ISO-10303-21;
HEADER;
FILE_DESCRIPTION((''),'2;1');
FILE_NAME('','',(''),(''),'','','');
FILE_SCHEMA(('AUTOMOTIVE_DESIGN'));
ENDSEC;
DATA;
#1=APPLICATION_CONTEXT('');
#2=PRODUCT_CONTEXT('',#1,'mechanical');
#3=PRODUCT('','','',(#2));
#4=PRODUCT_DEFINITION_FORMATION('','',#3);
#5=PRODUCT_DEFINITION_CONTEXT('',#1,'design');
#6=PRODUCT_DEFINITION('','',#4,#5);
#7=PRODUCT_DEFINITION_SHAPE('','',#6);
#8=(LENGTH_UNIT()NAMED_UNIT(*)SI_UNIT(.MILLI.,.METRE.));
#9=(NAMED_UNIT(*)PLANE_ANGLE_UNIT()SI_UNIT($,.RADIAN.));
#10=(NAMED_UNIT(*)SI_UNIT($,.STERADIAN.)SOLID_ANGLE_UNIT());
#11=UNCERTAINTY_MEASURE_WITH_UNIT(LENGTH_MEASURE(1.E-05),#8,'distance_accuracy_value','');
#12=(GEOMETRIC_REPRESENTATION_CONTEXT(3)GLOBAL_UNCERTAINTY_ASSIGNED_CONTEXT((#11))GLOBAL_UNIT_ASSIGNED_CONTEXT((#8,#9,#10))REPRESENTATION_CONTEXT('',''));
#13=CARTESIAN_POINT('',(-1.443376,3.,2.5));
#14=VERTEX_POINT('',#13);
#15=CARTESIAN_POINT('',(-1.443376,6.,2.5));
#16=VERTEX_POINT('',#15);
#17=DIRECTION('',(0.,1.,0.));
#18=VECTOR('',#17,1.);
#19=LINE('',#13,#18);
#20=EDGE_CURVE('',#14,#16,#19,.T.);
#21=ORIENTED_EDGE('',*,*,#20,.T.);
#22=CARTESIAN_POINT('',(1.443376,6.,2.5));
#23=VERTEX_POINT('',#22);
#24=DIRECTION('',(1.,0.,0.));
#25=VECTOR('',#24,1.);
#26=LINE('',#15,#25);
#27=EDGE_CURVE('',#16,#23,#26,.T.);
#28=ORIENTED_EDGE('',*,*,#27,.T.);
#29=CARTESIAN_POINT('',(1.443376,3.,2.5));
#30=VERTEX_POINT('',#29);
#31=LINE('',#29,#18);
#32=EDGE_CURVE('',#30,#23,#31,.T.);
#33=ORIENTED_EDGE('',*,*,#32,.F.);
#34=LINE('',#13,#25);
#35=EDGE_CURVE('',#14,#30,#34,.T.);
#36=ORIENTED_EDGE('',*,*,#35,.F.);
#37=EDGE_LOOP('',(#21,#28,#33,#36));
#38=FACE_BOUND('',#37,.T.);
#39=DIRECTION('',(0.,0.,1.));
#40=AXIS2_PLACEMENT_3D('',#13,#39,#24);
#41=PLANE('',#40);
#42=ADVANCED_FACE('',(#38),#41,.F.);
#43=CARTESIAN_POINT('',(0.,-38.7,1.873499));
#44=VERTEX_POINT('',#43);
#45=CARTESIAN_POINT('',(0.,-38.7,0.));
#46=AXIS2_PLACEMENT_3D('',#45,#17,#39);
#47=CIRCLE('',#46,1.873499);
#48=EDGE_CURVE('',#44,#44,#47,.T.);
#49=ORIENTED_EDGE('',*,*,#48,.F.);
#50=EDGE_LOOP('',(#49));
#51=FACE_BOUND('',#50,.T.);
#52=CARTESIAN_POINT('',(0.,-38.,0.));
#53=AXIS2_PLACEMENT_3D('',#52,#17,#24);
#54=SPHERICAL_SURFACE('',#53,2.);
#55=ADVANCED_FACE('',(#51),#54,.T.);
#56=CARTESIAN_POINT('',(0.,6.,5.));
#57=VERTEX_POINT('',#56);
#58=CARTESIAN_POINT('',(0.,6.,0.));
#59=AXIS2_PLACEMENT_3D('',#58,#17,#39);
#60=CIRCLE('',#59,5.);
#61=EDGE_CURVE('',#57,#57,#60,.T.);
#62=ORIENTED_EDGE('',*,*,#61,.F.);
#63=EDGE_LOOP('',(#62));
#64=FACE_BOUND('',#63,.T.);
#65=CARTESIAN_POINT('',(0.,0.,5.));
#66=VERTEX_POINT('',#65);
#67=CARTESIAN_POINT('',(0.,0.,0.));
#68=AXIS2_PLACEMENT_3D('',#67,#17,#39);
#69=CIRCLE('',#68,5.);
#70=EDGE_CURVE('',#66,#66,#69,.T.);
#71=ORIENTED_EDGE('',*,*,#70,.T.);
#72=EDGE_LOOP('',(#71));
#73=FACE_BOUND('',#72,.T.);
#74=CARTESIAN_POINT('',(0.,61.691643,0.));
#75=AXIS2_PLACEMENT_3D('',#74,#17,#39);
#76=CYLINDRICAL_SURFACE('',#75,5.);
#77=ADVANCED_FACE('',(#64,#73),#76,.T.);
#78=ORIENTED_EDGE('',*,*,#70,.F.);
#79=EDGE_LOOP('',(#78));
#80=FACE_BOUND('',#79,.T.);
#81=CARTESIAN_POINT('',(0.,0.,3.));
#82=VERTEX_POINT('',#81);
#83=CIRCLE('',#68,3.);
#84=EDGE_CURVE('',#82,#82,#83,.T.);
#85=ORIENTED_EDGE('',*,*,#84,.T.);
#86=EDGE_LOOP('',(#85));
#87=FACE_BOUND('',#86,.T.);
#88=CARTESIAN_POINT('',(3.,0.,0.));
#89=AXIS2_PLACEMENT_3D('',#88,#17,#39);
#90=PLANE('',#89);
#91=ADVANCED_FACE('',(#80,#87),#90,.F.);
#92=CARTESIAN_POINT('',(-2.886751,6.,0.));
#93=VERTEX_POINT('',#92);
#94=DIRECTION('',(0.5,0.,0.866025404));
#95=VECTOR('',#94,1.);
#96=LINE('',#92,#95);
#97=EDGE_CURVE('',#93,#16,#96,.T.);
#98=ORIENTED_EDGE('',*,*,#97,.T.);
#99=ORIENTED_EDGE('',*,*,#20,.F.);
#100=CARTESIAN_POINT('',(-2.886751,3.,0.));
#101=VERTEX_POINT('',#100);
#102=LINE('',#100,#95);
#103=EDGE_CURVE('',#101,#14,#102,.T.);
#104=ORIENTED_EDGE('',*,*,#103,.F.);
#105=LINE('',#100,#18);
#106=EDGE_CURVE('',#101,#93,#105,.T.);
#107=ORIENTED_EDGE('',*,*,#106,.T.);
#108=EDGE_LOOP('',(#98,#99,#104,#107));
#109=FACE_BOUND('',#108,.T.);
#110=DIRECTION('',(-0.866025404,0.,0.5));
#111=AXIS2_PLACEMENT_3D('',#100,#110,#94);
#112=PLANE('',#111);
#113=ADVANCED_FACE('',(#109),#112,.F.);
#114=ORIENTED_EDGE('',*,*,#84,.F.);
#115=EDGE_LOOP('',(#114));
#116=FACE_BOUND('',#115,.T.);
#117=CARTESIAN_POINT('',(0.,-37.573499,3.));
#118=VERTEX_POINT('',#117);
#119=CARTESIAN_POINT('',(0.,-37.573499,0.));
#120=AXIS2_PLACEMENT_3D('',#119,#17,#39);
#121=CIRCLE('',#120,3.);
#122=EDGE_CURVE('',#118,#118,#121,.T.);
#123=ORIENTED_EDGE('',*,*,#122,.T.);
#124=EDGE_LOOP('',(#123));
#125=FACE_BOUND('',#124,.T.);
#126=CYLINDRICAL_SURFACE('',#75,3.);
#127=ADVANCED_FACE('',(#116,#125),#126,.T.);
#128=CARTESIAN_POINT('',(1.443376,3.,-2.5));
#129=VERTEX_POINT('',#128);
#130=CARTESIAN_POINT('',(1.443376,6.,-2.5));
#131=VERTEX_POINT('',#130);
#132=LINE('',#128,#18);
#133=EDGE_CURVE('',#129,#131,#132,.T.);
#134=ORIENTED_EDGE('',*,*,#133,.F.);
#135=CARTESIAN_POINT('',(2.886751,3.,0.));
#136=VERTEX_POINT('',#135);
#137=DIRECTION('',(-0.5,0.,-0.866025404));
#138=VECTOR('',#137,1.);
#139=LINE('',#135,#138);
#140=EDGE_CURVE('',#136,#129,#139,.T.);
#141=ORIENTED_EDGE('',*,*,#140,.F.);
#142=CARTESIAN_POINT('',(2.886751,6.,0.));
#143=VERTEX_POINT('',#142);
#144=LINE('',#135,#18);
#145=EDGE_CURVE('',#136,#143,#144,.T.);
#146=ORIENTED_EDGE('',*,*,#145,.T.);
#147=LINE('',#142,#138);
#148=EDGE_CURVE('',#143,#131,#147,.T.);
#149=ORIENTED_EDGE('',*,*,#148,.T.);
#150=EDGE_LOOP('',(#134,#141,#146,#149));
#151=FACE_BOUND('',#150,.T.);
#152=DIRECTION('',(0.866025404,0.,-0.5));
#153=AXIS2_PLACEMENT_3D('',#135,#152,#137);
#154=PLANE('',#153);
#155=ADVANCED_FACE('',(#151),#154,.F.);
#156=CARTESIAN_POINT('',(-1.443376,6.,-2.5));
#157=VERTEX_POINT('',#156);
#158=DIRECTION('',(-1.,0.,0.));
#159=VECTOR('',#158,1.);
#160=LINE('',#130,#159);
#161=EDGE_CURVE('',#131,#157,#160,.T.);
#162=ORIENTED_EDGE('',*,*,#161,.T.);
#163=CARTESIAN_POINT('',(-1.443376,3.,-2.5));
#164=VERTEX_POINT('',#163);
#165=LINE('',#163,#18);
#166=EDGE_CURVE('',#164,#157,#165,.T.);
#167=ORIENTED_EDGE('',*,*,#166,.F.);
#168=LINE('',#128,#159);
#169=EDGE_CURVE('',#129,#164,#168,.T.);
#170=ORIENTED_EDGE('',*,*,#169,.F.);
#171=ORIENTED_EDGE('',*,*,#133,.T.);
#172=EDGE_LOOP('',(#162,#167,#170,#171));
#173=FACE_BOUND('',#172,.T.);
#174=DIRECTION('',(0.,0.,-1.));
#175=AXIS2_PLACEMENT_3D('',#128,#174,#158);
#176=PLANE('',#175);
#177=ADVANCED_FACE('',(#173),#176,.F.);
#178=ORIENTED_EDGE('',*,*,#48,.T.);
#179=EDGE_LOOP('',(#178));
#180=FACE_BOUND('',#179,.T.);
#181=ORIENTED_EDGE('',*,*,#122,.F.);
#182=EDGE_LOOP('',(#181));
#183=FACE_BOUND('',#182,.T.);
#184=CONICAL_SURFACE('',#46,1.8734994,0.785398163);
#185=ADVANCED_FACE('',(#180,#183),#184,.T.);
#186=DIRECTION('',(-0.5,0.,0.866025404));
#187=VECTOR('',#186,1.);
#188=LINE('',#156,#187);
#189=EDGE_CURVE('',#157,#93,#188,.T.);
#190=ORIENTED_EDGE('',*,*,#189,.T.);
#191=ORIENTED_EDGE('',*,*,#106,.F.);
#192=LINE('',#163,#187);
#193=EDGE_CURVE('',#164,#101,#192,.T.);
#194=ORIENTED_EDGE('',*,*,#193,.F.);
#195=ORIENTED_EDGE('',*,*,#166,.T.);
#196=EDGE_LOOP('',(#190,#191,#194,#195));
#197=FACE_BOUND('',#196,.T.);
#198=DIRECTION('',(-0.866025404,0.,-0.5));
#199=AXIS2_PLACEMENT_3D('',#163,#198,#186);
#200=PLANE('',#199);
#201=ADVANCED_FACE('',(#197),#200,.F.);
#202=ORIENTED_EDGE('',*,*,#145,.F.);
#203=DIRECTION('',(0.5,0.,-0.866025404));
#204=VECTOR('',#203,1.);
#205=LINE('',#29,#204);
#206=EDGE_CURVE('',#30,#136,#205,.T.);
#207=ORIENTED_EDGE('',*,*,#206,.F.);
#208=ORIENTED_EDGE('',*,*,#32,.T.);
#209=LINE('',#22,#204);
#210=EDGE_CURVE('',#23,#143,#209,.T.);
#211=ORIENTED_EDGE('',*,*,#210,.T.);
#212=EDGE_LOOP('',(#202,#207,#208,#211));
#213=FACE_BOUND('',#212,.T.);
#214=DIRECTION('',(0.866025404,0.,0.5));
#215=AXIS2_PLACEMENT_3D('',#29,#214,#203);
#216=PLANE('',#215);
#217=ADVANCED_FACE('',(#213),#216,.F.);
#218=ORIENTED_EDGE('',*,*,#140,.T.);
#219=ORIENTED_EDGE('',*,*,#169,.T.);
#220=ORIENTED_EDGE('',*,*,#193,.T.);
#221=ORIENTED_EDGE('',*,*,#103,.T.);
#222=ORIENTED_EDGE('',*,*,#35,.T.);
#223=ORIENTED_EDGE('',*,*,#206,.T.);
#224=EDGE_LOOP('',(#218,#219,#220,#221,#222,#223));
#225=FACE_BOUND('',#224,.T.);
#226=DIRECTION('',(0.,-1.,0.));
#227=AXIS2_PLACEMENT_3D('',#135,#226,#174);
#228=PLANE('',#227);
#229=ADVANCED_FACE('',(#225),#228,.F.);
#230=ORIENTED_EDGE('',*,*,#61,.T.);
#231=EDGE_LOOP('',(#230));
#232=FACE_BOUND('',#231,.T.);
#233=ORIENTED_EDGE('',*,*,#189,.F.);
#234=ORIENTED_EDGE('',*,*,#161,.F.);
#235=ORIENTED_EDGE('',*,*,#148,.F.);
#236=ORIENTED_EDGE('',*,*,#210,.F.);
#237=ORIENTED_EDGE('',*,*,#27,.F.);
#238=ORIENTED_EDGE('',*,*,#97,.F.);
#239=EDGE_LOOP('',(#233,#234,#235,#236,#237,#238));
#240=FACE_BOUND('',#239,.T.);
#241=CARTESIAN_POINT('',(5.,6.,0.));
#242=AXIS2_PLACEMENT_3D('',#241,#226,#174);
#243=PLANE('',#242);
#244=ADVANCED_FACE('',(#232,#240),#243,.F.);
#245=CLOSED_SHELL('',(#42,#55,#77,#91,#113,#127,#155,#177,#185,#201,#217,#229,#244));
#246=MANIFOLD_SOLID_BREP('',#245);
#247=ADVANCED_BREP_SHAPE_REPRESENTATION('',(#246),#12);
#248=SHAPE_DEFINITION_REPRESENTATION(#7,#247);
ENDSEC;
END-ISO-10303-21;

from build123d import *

# Parameters (mm, degrees)
CUT_EXTRUDE1_DEPTH = 3


with BuildPart() as part:
    # Sketch1 → Revolve1 (revolve)
    with BuildSketch(Plane.XY, mode=Mode.PRIVATE) as revolve1_sk:
        with BuildLine():
            Line((3, -37.5734994), (3, 0))
            Line((3, 0), (5, 0))
            Line((5, 0), (5, 6))
            Line((5, 6), (0, 6))
            Line((0, 6), (0, -40))
            ThreePointArc((0, -40), (1.140175425, -39.643167673), (1.8734994, -38.7))
            Line((1.8734994, -38.7), (3, -37.5734994))
        make_face()
    revolve(revolve1_sk.sketch.rotate(Axis((0, 61.691642626, 0), (0, -1, 0)), 90), axis=Axis((0, 61.691642626, 0), (0, -1, 0)))

    # Sketch2 → Cut-Extrude1 (cut)
    with BuildSketch(Plane(origin=(0, 6, 0), x_dir=(-1, 0, 0), z_dir=(0, 1, 0))):
        Polygon((-1.443375673, -2.5), (1.443375673, -2.5), (2.886751346, 0), (1.443375673, 2.5), (-1.443375673, 2.5), (-2.886751346, 0), align=None)
    extrude(amount=-CUT_EXTRUDE1_DEPTH, mode=Mode.SUBTRACT)


solid = part.part
